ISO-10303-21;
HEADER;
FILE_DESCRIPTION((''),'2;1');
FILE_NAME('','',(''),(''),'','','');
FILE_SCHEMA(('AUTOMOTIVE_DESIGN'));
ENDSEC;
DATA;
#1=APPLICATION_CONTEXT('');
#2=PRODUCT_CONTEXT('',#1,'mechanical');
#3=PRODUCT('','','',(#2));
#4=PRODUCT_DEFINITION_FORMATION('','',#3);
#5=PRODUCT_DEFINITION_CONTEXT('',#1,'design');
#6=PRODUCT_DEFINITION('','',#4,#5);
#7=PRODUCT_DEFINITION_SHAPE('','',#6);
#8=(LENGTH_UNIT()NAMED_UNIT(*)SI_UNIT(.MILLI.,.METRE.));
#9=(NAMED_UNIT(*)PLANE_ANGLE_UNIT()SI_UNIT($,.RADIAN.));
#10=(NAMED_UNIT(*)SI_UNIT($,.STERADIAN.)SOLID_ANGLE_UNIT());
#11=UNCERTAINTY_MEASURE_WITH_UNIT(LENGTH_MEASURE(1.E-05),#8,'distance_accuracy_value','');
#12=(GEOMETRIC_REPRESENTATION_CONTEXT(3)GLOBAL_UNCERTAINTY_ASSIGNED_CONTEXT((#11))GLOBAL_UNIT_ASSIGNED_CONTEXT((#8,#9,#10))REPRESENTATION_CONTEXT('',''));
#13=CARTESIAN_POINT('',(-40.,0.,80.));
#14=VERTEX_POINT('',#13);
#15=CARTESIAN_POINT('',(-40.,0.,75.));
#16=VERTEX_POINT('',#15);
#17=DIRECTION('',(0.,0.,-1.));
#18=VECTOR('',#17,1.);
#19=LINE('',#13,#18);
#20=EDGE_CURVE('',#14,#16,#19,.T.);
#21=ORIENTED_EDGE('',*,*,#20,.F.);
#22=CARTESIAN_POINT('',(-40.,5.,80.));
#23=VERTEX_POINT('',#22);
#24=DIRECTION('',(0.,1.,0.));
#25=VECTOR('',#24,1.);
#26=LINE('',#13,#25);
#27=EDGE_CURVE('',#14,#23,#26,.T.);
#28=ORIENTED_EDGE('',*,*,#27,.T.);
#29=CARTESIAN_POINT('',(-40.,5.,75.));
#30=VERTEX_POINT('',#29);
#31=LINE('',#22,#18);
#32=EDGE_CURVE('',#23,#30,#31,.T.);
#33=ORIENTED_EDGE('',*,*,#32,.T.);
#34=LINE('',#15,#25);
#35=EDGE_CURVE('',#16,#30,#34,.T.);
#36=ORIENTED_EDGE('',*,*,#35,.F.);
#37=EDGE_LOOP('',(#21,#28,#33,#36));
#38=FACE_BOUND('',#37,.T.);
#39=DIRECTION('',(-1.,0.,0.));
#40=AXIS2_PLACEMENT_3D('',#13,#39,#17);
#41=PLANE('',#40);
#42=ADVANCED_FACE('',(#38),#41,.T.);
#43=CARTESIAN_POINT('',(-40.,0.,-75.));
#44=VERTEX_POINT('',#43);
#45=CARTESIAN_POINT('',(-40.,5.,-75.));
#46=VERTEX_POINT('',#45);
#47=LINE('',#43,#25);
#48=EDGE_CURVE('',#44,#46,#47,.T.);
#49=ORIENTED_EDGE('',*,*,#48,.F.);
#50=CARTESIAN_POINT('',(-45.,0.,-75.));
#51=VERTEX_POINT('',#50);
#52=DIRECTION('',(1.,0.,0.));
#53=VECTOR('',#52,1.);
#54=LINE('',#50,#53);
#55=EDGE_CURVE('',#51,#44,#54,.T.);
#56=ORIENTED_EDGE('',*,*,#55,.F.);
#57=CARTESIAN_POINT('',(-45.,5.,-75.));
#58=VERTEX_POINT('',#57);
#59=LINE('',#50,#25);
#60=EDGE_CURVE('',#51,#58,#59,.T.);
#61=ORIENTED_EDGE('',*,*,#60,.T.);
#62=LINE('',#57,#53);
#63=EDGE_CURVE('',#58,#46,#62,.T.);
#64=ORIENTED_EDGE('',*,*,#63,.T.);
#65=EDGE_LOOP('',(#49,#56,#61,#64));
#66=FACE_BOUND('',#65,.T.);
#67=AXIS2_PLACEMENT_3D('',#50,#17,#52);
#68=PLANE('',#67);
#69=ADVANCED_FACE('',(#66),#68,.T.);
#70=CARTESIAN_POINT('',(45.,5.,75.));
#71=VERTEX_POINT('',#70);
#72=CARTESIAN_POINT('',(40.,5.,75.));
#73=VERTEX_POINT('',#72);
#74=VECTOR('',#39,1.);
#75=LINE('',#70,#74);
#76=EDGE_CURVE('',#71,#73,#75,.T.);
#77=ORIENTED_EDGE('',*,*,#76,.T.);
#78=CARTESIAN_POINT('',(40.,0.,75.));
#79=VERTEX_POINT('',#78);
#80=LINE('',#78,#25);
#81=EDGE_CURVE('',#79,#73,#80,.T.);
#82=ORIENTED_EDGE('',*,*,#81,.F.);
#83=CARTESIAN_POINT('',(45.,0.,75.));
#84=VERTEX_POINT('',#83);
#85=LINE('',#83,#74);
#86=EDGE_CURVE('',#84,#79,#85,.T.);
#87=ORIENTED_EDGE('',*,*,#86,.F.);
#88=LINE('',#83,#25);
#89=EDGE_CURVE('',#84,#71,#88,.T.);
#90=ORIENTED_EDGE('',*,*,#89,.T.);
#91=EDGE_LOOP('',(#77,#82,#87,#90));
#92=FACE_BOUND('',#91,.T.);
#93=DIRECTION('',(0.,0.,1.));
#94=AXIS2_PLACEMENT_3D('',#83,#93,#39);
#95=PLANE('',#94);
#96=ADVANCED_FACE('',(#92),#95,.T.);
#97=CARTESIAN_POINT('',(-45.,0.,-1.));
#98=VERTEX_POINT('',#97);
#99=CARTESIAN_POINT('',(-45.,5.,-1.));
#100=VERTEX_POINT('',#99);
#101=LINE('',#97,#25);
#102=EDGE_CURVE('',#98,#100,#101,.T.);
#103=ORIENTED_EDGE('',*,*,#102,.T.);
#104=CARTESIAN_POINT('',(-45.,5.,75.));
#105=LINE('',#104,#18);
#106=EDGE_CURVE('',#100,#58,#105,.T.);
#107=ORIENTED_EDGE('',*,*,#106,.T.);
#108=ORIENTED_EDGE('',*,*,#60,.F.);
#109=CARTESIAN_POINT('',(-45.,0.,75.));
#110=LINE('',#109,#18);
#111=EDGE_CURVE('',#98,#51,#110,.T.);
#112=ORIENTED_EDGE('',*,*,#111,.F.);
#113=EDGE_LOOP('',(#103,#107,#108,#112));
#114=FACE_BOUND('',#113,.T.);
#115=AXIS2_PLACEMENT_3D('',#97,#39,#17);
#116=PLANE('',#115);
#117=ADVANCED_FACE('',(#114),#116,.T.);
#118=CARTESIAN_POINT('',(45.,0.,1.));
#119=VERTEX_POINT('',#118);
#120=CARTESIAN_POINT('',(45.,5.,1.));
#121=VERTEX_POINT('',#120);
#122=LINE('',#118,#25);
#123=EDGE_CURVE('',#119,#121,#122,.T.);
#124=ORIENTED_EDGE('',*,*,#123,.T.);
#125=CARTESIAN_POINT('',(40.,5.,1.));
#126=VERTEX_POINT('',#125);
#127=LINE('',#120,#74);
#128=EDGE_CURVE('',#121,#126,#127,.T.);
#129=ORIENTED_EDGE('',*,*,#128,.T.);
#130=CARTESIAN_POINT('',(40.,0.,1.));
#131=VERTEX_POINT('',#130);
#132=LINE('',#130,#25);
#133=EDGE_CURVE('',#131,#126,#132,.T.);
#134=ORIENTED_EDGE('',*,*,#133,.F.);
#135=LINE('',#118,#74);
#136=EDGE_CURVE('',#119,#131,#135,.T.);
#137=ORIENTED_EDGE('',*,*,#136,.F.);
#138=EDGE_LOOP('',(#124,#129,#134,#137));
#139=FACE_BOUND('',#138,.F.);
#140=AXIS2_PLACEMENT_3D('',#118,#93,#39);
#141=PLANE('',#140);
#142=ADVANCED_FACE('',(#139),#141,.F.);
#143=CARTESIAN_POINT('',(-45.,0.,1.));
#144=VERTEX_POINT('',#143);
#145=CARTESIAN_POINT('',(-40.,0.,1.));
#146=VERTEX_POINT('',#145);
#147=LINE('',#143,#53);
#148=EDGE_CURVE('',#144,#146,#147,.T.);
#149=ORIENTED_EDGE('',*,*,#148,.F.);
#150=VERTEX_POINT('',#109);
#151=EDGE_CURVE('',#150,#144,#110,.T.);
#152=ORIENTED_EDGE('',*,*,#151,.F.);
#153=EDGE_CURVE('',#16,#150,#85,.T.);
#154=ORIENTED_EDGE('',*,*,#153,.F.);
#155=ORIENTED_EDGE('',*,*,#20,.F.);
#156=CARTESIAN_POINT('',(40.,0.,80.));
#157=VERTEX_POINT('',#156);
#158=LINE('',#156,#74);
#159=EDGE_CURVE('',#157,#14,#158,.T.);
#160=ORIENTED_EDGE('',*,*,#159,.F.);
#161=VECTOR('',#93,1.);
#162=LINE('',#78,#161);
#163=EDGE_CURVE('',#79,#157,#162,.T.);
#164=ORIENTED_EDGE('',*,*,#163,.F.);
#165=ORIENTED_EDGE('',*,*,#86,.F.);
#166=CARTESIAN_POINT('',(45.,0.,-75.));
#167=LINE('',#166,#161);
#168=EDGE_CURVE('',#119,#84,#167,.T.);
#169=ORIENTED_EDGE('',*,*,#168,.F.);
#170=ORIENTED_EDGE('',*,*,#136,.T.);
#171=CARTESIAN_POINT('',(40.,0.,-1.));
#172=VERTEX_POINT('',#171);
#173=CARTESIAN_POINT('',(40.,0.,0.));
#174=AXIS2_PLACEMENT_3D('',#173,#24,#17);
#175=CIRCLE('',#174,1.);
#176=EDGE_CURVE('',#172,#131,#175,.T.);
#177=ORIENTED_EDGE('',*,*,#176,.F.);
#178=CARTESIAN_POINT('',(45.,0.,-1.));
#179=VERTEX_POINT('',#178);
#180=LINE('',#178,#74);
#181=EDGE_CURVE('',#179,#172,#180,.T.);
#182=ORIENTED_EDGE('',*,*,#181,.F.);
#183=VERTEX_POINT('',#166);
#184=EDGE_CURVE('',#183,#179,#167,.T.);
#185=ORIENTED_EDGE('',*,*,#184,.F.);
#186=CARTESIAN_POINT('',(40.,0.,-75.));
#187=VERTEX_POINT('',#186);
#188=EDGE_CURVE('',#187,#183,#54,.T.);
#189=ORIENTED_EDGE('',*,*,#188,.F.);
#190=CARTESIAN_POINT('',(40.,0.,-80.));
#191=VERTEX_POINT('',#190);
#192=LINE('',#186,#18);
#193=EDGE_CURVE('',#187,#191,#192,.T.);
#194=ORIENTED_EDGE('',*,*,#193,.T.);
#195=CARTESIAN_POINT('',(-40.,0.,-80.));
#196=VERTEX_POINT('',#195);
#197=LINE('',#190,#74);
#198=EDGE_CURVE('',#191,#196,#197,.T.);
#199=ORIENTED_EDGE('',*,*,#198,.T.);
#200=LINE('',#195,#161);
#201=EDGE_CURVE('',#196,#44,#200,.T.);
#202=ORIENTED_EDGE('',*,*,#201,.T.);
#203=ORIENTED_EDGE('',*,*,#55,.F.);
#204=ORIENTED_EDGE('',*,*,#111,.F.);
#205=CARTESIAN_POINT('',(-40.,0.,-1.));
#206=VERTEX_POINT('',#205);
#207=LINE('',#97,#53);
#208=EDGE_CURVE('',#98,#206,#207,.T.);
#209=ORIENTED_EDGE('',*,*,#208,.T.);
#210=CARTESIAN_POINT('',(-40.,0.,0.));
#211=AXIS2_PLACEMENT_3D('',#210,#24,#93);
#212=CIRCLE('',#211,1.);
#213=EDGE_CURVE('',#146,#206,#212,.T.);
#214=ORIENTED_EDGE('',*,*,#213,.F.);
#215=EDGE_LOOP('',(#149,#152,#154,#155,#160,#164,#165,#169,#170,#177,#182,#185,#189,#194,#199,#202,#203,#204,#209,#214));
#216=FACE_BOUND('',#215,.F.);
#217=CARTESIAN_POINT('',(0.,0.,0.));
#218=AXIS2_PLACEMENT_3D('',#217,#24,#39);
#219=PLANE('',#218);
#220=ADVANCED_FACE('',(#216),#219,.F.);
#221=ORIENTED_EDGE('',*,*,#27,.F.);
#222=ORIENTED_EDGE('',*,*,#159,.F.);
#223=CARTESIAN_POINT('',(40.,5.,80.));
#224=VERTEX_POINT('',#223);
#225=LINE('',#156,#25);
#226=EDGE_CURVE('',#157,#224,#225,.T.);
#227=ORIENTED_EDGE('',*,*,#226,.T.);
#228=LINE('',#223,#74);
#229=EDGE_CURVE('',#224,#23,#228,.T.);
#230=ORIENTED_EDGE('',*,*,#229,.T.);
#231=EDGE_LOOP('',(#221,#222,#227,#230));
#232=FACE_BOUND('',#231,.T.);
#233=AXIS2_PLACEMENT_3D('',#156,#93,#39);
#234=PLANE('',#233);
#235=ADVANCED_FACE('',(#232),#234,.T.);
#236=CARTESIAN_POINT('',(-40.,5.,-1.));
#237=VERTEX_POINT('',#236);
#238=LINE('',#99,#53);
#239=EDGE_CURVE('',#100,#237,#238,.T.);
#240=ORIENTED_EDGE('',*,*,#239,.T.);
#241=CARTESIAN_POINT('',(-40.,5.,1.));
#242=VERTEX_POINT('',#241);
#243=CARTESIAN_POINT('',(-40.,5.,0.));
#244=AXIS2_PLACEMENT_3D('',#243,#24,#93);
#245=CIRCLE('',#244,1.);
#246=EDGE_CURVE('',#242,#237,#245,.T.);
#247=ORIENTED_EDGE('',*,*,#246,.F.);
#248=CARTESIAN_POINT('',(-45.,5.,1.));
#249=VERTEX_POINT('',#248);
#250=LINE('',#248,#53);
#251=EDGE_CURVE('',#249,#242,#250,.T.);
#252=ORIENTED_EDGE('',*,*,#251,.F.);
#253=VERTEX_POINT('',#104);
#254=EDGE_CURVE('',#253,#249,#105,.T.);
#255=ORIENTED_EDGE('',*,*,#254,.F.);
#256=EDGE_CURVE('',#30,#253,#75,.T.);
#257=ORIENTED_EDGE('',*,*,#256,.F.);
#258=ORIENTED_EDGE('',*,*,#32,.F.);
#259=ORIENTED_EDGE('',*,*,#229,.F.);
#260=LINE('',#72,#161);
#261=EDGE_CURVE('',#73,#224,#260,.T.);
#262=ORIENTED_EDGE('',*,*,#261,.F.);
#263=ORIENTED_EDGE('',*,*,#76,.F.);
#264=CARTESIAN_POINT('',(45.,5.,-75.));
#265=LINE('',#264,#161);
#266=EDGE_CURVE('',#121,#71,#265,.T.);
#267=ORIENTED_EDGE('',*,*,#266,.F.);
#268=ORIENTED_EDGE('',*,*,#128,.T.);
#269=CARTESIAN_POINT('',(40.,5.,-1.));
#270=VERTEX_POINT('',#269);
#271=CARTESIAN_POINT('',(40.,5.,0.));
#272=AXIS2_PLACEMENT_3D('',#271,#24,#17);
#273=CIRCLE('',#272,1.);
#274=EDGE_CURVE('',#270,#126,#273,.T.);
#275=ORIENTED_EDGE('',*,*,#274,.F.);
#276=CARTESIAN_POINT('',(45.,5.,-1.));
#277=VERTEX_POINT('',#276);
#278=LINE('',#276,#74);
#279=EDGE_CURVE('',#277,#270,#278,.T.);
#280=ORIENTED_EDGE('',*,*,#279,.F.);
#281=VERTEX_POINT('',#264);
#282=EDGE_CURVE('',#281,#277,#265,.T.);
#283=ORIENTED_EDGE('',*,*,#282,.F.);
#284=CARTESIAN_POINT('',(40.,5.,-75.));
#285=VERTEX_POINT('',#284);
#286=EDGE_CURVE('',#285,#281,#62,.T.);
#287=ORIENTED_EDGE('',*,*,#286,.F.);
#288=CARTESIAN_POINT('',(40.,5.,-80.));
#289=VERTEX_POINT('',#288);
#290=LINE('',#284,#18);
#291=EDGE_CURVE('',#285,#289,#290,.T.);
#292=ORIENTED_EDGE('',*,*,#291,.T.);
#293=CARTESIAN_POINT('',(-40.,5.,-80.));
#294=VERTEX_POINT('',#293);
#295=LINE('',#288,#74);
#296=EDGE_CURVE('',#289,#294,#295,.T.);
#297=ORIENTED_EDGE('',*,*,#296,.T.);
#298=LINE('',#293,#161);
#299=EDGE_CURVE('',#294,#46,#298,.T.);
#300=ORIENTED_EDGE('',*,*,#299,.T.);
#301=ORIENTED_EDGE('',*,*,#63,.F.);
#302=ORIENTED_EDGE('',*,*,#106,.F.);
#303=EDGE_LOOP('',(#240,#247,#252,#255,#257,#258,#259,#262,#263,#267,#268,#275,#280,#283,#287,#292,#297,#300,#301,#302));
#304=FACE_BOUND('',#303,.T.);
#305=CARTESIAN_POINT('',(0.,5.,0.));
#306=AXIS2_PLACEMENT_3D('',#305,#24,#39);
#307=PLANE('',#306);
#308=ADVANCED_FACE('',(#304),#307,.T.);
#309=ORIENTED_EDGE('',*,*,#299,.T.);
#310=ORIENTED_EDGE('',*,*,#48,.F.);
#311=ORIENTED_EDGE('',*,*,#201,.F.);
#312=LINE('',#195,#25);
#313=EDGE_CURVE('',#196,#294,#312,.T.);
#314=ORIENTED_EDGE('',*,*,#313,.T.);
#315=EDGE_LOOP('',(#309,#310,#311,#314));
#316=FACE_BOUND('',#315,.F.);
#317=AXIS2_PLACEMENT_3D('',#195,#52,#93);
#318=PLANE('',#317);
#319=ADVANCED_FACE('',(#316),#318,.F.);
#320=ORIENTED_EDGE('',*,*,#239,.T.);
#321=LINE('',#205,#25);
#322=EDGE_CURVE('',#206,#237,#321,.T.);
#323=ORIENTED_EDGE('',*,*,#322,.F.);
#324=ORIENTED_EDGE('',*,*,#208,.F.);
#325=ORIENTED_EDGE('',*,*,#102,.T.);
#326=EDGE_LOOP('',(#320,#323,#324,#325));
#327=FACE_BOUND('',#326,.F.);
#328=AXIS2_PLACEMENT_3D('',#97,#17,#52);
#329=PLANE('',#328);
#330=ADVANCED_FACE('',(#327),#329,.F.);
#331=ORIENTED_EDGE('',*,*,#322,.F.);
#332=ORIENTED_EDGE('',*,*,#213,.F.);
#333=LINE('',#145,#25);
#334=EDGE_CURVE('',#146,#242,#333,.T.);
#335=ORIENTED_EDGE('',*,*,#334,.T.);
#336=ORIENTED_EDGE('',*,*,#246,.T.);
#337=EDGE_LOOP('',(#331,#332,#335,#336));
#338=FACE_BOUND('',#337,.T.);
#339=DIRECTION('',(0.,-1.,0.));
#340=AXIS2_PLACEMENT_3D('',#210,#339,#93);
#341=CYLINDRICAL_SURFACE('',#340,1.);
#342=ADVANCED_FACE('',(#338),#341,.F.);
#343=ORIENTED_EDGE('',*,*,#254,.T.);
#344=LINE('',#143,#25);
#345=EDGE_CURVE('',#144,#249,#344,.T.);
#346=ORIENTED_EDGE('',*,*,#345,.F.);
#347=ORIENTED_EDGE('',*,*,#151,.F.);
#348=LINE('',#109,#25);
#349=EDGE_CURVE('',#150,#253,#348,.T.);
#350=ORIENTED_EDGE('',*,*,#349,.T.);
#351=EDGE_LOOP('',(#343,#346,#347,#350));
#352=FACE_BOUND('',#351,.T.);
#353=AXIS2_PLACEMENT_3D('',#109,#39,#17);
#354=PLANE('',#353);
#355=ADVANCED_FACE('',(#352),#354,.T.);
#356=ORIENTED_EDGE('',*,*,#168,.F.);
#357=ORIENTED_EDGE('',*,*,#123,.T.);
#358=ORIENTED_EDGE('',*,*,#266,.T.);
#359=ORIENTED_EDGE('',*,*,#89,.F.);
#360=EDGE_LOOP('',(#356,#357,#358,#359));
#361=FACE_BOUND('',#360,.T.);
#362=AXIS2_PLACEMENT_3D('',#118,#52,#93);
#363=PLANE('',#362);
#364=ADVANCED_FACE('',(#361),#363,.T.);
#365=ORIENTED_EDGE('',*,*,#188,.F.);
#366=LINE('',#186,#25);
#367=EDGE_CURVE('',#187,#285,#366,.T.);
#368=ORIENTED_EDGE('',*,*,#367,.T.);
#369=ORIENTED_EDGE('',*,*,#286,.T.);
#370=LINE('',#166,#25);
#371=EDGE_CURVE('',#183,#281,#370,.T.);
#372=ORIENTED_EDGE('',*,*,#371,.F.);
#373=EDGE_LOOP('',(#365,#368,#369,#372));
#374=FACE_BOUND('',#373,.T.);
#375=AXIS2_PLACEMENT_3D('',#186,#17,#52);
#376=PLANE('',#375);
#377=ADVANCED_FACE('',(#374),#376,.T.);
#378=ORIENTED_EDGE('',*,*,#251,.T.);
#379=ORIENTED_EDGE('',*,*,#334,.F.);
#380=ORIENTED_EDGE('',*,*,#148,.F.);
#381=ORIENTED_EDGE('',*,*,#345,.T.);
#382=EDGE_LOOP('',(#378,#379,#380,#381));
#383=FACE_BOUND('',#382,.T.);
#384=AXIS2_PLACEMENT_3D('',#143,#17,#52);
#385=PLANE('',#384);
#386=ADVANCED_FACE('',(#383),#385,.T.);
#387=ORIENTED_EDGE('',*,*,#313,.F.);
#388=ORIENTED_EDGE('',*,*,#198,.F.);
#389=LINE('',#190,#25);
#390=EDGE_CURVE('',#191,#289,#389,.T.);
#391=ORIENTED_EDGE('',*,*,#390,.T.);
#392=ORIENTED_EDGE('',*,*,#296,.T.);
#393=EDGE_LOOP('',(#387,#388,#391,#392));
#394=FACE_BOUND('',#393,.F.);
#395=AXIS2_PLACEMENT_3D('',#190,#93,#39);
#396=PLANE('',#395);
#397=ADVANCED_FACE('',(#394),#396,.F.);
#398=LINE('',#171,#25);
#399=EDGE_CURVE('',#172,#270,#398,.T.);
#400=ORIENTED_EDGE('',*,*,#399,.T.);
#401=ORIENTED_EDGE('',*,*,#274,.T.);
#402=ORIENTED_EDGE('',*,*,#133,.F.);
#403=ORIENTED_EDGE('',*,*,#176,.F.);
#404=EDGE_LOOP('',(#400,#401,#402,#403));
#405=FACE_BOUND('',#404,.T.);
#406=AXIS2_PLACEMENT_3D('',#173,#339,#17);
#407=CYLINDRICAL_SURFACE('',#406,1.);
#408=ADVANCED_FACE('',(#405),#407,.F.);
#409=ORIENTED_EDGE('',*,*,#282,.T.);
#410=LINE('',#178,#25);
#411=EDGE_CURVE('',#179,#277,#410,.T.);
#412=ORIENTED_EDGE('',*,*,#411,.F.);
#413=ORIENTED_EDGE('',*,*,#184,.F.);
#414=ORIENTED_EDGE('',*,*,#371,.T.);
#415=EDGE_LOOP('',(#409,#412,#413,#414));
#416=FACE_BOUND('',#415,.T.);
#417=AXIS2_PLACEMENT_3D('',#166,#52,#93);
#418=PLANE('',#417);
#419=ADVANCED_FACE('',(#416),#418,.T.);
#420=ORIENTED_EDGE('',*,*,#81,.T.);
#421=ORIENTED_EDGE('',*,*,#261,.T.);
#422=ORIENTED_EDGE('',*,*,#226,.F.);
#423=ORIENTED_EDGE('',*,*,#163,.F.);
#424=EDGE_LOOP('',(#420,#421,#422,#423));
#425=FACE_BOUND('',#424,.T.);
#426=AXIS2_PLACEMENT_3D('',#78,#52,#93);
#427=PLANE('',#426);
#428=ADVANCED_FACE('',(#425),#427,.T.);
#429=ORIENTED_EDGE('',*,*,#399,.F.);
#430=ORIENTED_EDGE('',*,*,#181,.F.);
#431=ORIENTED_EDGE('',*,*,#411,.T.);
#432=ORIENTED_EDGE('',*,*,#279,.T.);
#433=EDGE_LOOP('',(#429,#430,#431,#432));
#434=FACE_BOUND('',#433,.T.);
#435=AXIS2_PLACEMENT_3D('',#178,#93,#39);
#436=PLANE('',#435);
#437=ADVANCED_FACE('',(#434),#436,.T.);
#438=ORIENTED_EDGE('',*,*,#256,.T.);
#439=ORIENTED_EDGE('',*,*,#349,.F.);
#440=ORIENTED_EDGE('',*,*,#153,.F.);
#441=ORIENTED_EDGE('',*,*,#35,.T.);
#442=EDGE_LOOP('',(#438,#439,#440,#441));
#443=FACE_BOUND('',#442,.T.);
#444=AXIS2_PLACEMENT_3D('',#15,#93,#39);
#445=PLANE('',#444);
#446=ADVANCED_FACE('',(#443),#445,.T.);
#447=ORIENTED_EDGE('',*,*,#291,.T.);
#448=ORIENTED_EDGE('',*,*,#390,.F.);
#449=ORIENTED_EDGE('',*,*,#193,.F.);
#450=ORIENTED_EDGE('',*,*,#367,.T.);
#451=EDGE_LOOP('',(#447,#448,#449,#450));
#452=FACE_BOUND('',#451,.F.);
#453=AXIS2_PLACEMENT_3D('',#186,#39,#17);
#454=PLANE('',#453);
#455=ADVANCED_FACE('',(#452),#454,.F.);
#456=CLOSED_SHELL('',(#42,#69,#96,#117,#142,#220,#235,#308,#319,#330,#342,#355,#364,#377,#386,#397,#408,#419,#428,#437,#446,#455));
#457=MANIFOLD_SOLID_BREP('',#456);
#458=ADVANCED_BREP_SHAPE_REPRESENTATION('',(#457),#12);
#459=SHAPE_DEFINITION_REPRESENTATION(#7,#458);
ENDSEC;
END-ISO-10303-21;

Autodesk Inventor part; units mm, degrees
ref_plane "YZ Plane" through (0, 0, 0) normal (1, 0, 0) x (0, 1, 0)
ref_plane "XZ Plane" through (0, 0, 0) normal (0, 1, 0) x (-1, 0, 0)
ref_plane "XY Plane" through (0, 0, 0) normal (0, 0, 1) x (1, 0, 0)
sketch "Skizze1" plane through (0, 0, 0) normal (0, 1, 0) x (-1, 0, 0)
  line L0 (45, -75) -> (-45, -75)
  line L1 (-45, -75) -> (-45, 75)
  line L2 (-45, 75) -> (45, 75)
  line L3 (45, 75) -> (45, -75)
  line L4 (45, -75) -> (-45, 75) construction
  line L5 (45, 75) -> (-45, -75) construction
  line L6 (40, -75) -> (-40, -75)
  line L7 (-40, -75) -> (-40, -80)
  line L8 (-40, -80) -> (40, -80)
  line L9 (40, -80) -> (40, -75)
  line L10 (40, 75) -> (-40, 75)
  line L11 (-40, 75) -> (-40, 80)
  line L12 (-40, 80) -> (40, 80)
  line L13 (40, 80) -> (40, 75)
  line L14 (45, -1) -> (40, -1)
  line L15 (45, 1) -> (40, 1)
  line L16 (-45, -1) -> (-40, -1)
  line L17 (-45, 1) -> (-40, 1)
  arc A0 (40, 1) -> (40, -1) centre (40, 0) ccw
  arc A1 (-40, -1) -> (-40, 1) centre (-40, 0) ccw
  point P0 (0, 0)
  point P1 (0, 0)
  point P2 (40, -77.5)
  point P3 (0, 0)
  dimension "d0" = 150
  dimension "d1" = 5
  dimension "d2" = 5
  dimension "d3" = 5
  dimension "d4" = 80
  dimension "d5" = 2
  dimension "d6" = 5
  dimension "d7" = 1
extrude "Extrusion1" add sketch "Skizze1" along normal blind 5 contours L0 L1 L16 A1 L17 L2 L3 L15 A0 L14 | L9 L8 L7 L0 | L2 L11 L12 L13
equation "\"d4\" = t"
equation "\"t\" = 80"
properties part number "Verbinder_t80"
